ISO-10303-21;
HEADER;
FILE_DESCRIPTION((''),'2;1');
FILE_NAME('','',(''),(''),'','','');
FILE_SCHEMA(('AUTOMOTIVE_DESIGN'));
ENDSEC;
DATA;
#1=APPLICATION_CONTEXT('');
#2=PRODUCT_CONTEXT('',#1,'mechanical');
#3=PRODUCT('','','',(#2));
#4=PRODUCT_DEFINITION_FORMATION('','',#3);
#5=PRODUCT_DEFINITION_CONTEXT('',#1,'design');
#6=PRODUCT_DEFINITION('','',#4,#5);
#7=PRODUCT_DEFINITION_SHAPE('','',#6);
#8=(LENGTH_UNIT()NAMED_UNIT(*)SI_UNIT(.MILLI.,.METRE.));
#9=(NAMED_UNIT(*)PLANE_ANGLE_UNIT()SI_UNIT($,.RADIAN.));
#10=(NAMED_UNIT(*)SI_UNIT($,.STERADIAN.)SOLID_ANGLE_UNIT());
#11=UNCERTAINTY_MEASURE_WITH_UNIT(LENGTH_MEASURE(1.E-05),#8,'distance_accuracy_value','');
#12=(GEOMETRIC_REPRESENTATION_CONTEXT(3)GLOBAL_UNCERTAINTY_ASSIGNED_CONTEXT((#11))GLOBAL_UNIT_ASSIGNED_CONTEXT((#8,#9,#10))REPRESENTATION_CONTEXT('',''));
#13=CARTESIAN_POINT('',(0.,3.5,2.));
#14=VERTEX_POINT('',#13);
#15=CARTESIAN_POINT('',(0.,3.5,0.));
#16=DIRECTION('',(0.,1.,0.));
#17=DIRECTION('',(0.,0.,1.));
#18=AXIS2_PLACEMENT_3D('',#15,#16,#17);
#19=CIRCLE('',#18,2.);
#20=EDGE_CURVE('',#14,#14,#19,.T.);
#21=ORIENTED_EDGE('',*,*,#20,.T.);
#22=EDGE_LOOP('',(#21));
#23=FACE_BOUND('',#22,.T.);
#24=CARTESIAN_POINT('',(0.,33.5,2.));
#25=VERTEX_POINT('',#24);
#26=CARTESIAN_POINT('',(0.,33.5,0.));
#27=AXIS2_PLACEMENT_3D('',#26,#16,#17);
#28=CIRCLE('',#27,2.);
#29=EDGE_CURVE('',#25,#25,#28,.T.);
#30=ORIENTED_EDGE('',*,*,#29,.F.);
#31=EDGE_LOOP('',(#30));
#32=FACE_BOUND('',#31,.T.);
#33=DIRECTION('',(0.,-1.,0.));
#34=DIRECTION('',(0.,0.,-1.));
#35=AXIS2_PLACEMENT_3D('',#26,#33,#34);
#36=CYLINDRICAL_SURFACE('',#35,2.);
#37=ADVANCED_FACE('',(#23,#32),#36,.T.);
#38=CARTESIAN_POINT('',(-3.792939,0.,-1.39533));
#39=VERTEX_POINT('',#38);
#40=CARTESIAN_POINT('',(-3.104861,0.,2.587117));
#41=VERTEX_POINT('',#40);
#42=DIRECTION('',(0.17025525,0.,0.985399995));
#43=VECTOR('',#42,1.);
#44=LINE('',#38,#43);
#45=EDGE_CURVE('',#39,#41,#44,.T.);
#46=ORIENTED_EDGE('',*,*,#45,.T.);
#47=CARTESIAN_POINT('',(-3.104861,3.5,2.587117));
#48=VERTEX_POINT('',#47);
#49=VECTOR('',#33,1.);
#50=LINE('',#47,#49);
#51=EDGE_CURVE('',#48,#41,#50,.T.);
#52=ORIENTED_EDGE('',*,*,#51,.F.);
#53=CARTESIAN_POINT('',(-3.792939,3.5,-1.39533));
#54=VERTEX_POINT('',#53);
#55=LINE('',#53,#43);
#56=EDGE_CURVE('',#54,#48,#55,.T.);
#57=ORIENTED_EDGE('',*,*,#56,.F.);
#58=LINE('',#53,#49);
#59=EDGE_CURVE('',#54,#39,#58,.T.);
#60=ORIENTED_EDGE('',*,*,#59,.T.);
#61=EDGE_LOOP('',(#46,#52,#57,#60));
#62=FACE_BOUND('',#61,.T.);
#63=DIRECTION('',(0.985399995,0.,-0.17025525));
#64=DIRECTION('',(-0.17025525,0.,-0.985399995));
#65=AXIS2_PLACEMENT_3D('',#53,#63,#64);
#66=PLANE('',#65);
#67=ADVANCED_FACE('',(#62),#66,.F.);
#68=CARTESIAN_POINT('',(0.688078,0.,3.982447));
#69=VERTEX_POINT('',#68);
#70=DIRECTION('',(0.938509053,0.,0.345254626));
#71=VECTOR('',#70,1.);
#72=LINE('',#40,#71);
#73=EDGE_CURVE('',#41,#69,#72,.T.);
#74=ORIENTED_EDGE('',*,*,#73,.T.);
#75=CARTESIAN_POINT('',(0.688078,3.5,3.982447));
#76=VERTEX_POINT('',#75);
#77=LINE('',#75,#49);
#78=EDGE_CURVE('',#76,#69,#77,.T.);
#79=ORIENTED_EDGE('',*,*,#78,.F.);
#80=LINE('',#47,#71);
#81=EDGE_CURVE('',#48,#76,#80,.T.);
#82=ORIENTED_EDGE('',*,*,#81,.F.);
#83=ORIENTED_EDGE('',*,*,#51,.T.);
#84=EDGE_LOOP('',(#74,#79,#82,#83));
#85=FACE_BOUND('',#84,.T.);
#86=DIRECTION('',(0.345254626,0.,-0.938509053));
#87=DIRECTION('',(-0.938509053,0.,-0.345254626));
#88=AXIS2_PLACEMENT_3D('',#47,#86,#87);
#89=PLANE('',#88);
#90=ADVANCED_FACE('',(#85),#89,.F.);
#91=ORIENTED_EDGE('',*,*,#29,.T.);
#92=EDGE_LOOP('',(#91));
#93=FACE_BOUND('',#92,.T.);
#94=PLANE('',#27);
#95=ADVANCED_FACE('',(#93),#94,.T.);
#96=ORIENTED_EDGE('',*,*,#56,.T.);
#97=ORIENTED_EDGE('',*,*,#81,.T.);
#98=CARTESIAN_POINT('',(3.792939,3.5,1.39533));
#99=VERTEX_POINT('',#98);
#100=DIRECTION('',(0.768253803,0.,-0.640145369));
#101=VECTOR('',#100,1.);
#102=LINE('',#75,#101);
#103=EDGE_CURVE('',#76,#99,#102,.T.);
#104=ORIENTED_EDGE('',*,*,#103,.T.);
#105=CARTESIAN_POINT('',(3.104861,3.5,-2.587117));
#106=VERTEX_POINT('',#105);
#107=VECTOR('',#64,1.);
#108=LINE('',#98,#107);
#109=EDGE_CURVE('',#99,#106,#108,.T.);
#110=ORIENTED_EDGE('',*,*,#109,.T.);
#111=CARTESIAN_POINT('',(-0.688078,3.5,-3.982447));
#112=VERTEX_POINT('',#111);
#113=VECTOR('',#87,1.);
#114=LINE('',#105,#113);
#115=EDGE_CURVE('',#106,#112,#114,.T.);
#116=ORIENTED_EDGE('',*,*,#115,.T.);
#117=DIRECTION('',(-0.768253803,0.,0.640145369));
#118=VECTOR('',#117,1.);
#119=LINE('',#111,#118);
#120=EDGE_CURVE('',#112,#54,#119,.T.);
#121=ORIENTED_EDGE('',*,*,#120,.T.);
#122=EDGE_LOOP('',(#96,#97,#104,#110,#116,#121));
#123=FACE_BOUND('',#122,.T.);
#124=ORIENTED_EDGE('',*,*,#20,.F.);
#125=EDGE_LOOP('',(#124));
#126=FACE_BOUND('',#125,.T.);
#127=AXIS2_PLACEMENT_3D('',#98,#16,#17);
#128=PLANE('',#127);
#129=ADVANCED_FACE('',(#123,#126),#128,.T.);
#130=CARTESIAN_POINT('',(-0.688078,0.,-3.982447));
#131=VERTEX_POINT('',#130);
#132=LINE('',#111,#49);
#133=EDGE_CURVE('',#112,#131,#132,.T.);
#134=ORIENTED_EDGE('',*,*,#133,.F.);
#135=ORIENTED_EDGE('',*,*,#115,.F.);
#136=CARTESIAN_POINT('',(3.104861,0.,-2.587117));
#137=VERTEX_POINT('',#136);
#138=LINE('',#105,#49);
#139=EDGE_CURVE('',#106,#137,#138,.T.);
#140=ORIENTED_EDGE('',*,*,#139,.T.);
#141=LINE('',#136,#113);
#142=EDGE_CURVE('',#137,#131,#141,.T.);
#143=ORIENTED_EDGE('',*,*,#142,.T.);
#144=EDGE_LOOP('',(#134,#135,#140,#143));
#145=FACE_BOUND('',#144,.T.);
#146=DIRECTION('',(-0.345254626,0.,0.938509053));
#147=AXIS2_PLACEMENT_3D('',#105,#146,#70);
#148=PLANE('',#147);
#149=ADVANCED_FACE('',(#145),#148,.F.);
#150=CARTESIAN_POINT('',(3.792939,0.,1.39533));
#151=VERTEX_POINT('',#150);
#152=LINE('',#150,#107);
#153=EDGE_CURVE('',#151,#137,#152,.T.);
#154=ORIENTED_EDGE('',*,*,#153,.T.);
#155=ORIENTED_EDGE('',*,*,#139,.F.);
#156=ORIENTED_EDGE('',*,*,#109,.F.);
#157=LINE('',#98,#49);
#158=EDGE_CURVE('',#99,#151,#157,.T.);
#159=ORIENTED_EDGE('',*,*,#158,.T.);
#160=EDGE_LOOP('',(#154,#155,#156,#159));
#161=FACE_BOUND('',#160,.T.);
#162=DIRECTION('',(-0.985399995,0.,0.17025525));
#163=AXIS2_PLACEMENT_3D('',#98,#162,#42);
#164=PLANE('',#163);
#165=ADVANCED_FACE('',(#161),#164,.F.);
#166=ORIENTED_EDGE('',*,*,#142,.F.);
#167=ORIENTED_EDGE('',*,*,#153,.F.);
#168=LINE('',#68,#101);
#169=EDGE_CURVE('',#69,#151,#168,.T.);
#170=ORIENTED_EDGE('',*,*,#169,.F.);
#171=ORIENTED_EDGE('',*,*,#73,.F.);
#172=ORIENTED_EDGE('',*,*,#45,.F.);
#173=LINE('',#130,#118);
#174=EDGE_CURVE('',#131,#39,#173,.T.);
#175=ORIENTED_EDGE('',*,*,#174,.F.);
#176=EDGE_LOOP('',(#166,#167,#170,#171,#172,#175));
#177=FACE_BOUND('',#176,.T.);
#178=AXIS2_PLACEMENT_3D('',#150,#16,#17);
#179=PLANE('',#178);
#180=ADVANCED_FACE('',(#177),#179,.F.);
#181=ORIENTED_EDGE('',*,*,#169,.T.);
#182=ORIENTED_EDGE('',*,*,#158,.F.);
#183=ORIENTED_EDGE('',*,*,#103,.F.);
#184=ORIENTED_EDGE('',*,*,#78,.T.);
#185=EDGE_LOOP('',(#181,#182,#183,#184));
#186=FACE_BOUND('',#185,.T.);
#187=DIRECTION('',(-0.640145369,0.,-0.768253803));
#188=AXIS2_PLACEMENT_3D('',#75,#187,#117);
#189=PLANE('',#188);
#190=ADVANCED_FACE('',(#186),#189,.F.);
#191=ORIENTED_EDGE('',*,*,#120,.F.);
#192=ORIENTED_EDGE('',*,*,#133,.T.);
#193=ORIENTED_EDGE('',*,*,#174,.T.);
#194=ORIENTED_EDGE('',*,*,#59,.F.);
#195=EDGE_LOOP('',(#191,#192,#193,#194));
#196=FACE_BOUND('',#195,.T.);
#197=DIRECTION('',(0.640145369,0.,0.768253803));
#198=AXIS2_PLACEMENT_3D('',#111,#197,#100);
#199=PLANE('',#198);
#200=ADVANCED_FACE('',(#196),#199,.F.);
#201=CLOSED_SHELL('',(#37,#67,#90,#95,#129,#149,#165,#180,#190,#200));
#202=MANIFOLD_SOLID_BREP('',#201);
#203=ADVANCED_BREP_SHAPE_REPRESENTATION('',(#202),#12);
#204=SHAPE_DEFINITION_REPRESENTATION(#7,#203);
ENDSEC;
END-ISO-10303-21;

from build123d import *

# Parameters (mm, degrees)
EXTRUDE_1_DEPTH = 3.5
SKETCH_2_R      = 2
EXTRUDE_2_DEPTH = 30


with BuildPart() as part:
    # Эскиз1 → Вытянуть1 (new body)
    with BuildSketch(Plane(origin=(0, 0, 0), x_dir=(1, 0, 0), z_dir=(0, 1, 0))):
        Polygon((3.792939182, -1.395329958), (3.104860782, 2.587116708), (-0.688078401, 3.982446666), (-3.792939182, 1.395329958), (-3.104860782, -2.587116708), (0.688078401, -3.982446666), align=None)
    extrude(amount=EXTRUDE_1_DEPTH)

    # Эскиз2 → Вытянуть2 (add)
    with BuildSketch(Plane(origin=(0, 3.5, 0), x_dir=(1, 0, 0), z_dir=(0, 1, 0))):
        with Locations(Location((0, 0, 0), (0, 0, 270))):
            Circle(SKETCH_2_R)
    extrude(amount=EXTRUDE_2_DEPTH)


solid = part.part
